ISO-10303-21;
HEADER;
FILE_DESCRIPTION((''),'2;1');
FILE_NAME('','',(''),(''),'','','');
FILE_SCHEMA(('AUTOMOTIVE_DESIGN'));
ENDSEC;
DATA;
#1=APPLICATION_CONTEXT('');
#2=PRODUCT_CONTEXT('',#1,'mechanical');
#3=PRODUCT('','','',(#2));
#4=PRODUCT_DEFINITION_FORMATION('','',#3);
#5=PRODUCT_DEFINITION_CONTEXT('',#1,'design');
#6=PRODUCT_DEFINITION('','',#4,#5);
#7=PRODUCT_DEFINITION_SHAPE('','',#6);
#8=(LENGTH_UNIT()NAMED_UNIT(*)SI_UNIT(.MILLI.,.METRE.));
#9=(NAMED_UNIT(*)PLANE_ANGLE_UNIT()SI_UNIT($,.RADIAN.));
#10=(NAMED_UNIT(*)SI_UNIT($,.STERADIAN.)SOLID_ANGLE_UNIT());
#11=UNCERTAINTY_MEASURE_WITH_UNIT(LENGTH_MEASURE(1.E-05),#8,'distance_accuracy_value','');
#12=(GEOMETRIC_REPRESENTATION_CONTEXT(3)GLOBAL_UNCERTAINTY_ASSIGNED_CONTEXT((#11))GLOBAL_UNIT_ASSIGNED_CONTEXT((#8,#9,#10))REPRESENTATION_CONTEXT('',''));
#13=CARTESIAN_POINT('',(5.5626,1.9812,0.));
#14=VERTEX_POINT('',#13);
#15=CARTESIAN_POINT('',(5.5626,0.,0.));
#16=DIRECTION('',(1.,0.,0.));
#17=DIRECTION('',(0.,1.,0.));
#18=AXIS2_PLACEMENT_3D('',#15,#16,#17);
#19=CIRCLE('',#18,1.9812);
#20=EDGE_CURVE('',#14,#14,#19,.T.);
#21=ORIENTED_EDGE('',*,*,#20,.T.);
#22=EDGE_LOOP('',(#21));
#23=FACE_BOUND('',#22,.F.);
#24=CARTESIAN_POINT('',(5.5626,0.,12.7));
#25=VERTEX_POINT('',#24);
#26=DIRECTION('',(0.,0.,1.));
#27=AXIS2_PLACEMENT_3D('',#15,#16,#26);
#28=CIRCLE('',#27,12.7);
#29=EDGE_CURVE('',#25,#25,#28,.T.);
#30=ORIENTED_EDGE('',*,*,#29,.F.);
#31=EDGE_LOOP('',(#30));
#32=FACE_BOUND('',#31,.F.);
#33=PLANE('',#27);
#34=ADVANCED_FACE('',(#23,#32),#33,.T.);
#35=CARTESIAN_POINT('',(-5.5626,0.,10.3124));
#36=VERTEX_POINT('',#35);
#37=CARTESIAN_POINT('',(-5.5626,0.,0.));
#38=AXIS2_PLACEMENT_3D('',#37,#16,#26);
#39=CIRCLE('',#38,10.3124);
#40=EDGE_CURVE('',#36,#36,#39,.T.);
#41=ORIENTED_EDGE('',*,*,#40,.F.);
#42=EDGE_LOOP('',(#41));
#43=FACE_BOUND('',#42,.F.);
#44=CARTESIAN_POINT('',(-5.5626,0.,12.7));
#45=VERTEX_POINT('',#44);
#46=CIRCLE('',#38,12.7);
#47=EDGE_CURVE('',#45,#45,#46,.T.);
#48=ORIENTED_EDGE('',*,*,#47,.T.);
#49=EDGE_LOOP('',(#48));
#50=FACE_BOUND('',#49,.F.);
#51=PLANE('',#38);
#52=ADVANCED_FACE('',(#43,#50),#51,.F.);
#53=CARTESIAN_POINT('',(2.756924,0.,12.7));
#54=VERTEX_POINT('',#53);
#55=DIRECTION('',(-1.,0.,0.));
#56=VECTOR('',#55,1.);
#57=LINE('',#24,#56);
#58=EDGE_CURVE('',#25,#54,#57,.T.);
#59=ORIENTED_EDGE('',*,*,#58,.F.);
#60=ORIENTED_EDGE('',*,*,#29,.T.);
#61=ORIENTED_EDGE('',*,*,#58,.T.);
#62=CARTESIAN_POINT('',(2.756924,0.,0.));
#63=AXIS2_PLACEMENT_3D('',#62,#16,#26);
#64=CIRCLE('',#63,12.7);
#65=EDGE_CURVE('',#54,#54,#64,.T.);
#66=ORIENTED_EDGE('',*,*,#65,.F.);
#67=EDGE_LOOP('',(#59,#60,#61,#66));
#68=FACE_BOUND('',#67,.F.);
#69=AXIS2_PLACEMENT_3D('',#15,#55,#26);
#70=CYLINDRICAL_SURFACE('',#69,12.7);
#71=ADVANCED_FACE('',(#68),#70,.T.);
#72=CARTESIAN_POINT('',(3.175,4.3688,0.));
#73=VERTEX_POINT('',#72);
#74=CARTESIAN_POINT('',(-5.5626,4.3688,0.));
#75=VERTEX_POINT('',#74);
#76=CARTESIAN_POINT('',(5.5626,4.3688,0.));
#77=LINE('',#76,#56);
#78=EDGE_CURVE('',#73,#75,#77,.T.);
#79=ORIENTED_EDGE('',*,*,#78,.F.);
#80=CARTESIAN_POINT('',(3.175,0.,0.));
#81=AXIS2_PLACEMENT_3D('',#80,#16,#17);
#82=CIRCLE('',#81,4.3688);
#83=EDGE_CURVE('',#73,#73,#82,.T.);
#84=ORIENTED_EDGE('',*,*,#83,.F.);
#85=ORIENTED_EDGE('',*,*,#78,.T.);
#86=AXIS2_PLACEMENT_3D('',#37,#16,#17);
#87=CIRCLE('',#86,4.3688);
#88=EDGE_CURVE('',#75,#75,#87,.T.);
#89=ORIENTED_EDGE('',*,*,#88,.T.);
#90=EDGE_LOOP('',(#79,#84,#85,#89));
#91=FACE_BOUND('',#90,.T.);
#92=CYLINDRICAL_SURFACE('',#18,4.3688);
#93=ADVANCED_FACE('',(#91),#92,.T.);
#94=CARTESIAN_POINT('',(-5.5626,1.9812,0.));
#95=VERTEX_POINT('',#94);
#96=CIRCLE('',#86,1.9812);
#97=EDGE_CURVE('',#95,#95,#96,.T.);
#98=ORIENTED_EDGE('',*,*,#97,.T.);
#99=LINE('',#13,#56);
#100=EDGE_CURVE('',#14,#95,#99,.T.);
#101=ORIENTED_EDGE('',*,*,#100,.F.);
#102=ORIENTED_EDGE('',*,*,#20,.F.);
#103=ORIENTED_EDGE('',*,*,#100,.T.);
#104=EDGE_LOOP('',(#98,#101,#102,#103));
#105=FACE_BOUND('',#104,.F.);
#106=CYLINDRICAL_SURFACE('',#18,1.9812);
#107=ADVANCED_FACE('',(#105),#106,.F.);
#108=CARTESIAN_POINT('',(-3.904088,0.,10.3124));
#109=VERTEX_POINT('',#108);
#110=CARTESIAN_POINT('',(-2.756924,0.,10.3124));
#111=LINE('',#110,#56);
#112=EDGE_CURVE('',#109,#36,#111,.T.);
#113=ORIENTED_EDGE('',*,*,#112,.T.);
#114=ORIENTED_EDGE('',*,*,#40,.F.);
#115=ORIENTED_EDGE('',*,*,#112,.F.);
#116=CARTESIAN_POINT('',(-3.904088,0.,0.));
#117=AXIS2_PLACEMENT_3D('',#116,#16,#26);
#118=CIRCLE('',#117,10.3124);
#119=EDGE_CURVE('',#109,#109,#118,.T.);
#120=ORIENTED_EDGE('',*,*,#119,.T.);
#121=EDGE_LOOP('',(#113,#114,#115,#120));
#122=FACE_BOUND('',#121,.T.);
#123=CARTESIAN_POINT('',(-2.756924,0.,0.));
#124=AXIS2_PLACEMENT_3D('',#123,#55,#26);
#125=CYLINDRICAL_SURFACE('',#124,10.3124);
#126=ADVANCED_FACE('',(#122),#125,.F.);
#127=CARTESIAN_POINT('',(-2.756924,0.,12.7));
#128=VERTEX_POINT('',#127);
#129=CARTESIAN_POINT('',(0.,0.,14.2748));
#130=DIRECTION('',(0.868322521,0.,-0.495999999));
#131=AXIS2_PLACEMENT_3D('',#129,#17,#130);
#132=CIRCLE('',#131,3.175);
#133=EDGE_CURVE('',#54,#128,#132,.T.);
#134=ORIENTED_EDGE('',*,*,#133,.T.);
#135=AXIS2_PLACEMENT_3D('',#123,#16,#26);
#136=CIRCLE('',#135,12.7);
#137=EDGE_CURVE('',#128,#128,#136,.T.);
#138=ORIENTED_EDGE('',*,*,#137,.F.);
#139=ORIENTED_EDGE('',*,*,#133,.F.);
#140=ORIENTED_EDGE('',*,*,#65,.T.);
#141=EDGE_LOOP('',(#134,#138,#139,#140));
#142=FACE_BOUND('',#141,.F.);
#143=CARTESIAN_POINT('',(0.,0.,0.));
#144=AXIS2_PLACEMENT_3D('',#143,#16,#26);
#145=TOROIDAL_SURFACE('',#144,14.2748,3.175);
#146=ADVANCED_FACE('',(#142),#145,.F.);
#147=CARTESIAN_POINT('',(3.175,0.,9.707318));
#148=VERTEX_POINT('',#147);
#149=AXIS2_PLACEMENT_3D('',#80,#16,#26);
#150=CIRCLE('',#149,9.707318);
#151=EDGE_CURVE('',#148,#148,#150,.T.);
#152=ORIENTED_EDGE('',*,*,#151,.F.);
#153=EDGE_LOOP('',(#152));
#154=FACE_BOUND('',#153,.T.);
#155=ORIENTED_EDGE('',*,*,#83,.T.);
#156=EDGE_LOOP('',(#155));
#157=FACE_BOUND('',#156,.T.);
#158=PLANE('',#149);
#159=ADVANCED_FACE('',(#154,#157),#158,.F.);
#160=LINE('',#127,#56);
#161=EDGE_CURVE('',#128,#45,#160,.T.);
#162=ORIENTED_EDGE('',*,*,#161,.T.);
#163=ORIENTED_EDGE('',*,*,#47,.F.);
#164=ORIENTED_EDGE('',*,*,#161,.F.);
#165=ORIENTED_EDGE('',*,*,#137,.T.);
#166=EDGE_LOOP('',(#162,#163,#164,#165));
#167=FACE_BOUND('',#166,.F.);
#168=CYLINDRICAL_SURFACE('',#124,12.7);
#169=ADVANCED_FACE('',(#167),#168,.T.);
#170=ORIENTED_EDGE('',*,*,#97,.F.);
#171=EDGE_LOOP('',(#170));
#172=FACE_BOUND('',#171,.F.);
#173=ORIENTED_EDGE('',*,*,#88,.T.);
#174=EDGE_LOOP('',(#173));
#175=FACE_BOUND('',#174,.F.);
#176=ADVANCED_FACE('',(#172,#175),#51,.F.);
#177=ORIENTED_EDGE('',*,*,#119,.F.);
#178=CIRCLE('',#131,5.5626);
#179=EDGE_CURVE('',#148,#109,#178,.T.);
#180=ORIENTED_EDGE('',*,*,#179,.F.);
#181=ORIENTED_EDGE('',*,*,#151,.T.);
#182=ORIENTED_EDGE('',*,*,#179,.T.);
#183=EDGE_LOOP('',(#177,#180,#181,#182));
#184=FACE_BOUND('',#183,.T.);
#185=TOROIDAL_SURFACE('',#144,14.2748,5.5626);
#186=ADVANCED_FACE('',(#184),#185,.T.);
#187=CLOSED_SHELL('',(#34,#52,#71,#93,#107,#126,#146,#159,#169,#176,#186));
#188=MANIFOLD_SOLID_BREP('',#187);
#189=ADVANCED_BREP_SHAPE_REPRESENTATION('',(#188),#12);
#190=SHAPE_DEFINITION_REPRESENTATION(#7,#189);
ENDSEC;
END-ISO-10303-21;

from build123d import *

# Parameters (mm, degrees)
F2_R     = 1.9812
F3_DEPTH = 11.1262
F4_T     = -2.3876


with BuildPart() as f1:
    # F0 (on Front) → F1 (revolve)
    with BuildSketch(Plane.XZ):
        with BuildLine():
            Line((-2.756924, 12.7), (-5.5626, 12.7))
            Line((-5.5626, 12.7), (-5.5626, 0))
            Line((-5.5626, 0), (5.5626, 0))
            Line((5.5626, 0), (5.5626, 12.7))
            Line((5.5626, 12.7), (2.756924, 12.7))
            ThreePointArc((2.756924, 12.7), (0, 11.0998), (-2.756924, 12.7))
        make_face()
    revolve(axis=Axis((0, 0, 0), (1, 0, 0)))

    # F2 (on face) → F3 (cut, through all)
    with BuildSketch(Plane.YZ.offset(5.5626)):
        Circle(F2_R)
    extrude(amount=-F3_DEPTH, mode=Mode.SUBTRACT)

    # F4
    f4_openings = [f1.faces().sort_by_distance(p)[0] for p in [
        (-5.5626, 0, -12.34079),
    ]]
    offset(amount=F4_T, openings=f4_openings)


solid = f1.part
